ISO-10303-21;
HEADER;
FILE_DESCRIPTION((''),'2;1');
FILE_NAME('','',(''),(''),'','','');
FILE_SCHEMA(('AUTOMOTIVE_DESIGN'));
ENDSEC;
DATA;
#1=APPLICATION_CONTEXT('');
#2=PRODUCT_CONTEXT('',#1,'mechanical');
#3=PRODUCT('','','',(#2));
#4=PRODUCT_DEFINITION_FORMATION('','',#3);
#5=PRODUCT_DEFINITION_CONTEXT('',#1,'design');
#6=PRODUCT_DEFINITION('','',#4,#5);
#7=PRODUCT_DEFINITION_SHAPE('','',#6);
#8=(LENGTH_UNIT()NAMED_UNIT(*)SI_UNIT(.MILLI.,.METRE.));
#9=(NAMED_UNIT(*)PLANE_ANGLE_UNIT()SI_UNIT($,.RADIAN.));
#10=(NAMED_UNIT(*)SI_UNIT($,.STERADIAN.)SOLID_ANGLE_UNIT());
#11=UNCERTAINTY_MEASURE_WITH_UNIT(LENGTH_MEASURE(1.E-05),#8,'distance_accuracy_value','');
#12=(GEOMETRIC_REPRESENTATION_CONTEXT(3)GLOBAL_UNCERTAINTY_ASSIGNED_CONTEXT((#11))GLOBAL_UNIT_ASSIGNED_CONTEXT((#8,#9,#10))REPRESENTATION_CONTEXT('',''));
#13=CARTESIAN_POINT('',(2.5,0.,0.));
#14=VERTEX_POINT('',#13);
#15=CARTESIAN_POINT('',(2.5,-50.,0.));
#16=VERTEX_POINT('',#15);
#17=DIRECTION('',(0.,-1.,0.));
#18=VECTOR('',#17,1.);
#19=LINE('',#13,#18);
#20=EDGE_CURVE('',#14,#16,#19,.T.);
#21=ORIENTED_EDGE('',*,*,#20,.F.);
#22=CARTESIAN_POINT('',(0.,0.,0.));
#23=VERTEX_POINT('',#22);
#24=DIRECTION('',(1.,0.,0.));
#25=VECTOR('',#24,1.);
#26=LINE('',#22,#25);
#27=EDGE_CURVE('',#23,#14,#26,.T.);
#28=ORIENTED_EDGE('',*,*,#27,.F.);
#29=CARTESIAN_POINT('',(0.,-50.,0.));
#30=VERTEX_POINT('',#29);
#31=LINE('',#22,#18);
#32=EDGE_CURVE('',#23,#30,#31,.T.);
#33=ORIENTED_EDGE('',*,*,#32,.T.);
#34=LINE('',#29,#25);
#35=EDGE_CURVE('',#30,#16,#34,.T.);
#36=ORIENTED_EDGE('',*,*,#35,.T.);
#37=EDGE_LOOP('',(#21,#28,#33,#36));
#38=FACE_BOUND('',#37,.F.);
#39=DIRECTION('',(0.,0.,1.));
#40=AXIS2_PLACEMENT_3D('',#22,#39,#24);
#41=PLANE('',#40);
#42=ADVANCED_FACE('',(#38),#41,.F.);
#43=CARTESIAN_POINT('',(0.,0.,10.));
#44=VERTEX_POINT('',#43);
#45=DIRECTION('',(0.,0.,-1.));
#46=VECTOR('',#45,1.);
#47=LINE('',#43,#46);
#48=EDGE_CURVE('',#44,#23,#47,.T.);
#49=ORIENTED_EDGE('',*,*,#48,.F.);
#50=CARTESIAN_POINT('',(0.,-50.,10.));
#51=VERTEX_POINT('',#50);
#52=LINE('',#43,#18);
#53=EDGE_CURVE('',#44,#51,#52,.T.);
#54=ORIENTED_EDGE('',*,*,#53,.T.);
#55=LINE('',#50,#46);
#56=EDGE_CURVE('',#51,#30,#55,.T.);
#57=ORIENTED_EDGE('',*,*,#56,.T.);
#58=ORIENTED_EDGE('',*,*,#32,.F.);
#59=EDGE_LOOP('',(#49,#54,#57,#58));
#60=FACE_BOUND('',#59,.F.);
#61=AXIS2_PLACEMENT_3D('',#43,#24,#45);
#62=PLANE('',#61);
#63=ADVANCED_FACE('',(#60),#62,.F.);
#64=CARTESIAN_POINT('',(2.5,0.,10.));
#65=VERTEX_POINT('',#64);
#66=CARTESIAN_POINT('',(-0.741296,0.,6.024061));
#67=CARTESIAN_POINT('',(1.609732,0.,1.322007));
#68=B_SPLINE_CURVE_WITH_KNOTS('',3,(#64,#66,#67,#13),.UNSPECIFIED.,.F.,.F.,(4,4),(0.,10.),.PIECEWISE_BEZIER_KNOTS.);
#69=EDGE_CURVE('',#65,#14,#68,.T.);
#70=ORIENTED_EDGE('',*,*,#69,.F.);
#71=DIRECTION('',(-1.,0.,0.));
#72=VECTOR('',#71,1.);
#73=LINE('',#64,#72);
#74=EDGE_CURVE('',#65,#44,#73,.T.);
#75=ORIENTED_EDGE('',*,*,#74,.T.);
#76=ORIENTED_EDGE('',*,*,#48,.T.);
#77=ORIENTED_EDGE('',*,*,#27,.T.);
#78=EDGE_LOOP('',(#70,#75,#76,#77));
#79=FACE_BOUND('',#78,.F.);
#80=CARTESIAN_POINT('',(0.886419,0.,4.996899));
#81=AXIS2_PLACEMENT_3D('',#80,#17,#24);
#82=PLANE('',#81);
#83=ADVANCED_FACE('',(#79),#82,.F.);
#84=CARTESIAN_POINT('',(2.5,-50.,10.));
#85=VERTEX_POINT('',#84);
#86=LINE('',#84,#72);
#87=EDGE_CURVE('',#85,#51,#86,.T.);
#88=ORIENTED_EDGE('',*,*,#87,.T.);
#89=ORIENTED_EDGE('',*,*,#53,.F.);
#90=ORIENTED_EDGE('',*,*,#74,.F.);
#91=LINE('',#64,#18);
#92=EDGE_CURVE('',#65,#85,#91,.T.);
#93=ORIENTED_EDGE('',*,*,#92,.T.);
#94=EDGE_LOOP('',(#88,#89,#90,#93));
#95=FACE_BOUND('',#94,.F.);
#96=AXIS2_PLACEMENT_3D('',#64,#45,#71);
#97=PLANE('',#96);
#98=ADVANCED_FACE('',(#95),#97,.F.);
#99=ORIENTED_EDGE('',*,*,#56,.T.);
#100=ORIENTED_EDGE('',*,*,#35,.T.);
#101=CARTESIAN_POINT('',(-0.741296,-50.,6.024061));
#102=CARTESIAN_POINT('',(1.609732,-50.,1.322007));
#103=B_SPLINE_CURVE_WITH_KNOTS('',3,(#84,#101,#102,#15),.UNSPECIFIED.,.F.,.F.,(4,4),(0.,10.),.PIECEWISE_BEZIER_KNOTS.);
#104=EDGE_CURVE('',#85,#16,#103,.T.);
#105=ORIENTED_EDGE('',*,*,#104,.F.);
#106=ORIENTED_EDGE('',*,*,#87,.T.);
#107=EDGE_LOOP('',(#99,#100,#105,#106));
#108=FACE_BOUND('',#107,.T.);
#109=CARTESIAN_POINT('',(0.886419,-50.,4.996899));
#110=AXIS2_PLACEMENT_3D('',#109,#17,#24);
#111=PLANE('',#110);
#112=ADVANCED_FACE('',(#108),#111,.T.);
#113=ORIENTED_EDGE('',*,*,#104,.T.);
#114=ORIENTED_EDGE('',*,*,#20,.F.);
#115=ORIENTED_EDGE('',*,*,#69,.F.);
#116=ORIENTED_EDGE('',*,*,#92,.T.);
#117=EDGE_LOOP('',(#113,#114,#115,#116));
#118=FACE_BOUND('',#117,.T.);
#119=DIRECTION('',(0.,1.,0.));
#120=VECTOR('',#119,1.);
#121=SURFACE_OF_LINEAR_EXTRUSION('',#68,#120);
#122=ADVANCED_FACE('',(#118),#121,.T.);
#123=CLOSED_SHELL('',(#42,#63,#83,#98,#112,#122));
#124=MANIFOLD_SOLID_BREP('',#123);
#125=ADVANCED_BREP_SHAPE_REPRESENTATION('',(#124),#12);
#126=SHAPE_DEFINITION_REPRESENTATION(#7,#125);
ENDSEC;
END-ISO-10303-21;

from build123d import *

# Parameters (mm, degrees)
F1_DEPTH = 50


with BuildPart() as f1:
    # F0 (on Front) → F1 (new body)
    with BuildSketch(Plane.XZ):
        with BuildLine():
            Line((0, 10), (0, 0))
            Line((0, 0), (2.5, 0))
            add(Edge.make_bspline(
                [(2.5, 10), (-0.741296, 6.024061), (1.609732, 1.322007), (2.5, 0)],
                knots=[0, 0, 0, 0, 10, 10, 10, 10], degree=3))
            Line((2.5, 10), (0, 10))
        make_face()
    extrude(amount=F1_DEPTH)


solid = f1.part
